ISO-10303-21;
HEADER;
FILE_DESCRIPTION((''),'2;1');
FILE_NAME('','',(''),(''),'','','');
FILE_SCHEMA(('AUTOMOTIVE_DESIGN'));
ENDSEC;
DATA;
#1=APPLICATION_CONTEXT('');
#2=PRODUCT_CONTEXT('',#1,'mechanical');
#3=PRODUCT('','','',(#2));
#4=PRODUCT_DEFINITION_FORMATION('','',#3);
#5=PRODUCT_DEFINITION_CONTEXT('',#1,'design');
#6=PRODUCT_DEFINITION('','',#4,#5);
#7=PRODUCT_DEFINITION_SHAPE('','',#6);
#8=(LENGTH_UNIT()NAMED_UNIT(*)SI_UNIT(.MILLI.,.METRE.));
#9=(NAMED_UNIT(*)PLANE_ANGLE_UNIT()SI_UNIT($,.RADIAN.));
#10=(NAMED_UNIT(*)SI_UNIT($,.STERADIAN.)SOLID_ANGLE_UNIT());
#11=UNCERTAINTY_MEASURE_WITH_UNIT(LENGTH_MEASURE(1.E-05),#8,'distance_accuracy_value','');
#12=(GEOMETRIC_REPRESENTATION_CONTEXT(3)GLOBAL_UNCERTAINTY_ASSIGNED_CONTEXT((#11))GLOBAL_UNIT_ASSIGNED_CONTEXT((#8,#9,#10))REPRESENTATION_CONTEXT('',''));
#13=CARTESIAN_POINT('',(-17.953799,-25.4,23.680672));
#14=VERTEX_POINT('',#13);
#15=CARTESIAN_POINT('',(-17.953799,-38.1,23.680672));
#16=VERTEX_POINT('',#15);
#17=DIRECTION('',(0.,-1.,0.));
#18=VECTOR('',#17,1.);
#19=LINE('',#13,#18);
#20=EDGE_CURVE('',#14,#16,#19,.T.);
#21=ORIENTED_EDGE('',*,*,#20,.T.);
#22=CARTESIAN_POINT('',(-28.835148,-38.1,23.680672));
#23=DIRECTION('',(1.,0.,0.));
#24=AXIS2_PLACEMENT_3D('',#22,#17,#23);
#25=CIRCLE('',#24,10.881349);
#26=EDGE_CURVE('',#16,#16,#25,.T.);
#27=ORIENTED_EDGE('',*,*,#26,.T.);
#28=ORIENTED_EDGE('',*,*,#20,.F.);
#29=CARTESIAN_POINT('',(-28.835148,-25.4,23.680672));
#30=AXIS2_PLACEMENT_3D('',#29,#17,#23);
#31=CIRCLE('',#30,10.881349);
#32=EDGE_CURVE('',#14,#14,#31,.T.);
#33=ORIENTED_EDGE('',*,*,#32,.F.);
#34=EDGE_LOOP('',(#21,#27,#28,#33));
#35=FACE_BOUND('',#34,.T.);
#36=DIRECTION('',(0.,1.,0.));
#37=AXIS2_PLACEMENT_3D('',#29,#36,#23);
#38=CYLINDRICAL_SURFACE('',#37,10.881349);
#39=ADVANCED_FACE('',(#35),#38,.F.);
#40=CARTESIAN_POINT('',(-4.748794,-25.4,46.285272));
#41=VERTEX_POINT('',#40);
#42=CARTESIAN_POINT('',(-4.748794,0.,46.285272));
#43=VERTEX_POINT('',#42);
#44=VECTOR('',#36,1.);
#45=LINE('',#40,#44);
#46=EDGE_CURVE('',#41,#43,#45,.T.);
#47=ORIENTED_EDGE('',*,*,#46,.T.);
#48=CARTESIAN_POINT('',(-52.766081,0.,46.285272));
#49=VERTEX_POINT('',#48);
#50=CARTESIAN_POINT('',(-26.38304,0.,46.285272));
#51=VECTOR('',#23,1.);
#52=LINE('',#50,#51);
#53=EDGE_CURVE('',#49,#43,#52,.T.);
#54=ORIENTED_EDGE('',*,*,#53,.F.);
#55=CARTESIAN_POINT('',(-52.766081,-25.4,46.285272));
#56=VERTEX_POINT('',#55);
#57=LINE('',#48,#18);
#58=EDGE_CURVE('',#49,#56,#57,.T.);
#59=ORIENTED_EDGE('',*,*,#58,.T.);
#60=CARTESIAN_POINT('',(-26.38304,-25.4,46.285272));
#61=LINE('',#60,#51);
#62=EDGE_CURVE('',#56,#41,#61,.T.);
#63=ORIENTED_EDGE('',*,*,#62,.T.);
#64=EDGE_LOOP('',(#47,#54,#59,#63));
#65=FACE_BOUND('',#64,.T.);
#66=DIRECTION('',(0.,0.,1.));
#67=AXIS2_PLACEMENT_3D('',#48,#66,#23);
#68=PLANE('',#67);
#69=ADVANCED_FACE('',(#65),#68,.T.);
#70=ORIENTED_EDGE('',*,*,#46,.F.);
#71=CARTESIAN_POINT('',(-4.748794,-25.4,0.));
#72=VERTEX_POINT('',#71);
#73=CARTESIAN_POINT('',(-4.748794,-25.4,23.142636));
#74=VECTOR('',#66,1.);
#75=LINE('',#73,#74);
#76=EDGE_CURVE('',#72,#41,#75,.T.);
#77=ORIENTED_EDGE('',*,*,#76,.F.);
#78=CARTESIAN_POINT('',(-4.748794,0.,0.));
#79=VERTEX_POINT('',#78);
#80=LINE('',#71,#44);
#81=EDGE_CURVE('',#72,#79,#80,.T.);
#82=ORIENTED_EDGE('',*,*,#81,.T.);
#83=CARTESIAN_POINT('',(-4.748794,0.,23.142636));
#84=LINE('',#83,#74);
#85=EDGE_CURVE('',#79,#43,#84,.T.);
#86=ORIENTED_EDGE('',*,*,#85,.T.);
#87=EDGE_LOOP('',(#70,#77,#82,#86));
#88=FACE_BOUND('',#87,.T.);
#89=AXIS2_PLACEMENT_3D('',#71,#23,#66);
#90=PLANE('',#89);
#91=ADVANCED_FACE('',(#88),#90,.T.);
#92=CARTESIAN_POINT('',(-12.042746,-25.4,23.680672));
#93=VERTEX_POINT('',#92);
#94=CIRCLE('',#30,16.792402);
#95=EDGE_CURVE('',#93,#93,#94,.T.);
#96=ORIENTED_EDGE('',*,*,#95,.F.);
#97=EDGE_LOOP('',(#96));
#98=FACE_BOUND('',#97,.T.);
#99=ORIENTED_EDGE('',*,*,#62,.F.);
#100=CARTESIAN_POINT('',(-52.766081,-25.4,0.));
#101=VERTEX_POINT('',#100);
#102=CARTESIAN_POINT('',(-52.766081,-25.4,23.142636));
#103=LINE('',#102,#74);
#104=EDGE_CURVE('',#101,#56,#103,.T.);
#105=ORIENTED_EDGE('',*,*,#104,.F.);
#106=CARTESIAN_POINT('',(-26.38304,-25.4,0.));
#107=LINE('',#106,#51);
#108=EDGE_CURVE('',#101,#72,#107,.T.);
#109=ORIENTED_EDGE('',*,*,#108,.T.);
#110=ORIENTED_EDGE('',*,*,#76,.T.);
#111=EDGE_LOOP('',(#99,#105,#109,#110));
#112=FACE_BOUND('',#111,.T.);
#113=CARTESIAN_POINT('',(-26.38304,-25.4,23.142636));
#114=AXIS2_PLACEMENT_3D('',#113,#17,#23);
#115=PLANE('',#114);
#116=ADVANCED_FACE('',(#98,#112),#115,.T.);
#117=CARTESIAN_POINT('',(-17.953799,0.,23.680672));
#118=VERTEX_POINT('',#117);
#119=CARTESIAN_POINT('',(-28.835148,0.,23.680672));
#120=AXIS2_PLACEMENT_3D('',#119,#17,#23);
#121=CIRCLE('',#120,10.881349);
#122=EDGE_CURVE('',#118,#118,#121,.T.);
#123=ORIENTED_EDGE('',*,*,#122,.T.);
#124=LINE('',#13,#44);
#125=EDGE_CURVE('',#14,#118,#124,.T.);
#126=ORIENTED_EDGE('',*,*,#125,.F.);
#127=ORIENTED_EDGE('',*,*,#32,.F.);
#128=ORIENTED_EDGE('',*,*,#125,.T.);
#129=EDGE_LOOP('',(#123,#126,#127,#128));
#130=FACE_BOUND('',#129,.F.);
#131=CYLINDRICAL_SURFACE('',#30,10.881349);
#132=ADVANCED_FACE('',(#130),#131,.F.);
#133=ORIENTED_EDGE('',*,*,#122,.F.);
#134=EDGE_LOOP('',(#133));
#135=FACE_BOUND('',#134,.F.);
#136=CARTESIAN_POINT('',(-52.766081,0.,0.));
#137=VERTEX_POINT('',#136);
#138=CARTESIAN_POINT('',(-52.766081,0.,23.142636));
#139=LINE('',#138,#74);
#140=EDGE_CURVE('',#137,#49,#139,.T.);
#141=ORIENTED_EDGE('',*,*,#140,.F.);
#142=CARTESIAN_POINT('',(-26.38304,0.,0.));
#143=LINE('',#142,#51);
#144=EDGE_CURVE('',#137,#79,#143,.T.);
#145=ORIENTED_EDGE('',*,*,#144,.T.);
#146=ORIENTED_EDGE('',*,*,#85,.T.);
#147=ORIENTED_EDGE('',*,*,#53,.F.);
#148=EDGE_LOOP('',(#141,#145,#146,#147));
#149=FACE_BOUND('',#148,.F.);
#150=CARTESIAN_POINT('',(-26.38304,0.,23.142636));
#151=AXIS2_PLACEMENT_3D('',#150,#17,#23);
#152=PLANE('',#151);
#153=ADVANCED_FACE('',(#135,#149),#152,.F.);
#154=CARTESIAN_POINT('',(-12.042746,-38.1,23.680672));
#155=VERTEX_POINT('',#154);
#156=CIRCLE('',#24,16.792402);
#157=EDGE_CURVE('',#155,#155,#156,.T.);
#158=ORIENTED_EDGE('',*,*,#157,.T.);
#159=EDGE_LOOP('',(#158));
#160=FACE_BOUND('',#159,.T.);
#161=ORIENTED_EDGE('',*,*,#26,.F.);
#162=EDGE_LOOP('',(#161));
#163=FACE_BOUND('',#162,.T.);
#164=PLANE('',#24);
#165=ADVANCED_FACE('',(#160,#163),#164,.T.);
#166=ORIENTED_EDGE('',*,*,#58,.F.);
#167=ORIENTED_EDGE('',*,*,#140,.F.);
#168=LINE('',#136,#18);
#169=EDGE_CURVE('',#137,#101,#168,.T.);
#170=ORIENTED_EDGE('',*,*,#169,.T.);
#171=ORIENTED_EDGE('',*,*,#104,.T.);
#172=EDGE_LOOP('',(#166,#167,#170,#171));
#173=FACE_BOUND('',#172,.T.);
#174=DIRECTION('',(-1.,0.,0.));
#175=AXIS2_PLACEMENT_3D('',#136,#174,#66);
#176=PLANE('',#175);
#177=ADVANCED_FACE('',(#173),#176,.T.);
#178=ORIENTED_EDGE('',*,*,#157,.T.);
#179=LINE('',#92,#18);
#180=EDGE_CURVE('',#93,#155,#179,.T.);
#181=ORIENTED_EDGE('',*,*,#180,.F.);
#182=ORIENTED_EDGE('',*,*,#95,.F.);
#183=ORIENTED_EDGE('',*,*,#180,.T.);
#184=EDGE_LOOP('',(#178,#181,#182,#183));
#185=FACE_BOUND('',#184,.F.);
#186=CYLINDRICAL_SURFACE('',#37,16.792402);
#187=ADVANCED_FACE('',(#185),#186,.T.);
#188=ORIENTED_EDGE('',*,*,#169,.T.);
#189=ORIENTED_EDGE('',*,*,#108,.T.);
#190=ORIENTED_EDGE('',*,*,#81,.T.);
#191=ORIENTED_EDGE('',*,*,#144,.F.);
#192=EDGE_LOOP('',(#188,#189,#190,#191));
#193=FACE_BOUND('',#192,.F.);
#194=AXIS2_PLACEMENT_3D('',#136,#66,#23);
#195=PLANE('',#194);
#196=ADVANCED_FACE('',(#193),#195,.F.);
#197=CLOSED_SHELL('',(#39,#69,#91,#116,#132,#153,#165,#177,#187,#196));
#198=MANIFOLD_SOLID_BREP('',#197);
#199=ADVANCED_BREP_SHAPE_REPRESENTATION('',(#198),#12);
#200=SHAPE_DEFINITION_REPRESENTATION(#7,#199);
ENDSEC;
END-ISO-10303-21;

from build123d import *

# Parameters (mm, degrees)
F0_W      = 52.766081
F0_H      = 46.285272
F1_DEPTH  = 25.4
F2_R      = 16.792402
F2_R_2    = 10.881349
F3_DEPTH  = 12.7
F3_FACE_R = 10.881349
F4_DEPTH  = 25.4
F5_W      = 4.748795
F5_H      = 46.285272
F6_DEPTH  = 25.4


with BuildPart() as f1:
    # F0 (on Front) → F1 (new body)
    with BuildSketch(Plane.XZ):
        with Locations((-26.38304, 23.142636)):
            Rectangle(F0_W, F0_H)
    extrude(amount=F1_DEPTH)

    # F2 (on face) → F3 (join)
    with BuildSketch(Plane.XZ.offset(25.4)):
        with Locations((-28.835148, 23.680672)):
            Circle(F2_R)
        with Locations((-28.835148, 23.680672)):
            Circle(F2_R_2, mode=Mode.SUBTRACT)
    extrude(amount=F3_DEPTH)

    # F3_face (on face) → F4 (cut)
    with BuildSketch(Plane(origin=(-28.835148, -25.4, 23.680672), x_dir=(1, 0, 0), z_dir=(0, -1, 0))):
        Circle(F3_FACE_R)
    extrude(amount=-F4_DEPTH, mode=Mode.SUBTRACT)

    # F5 (on face) → F6 (cut)
    with BuildSketch(Plane.XZ.offset(25.4)):
        with Locations((-2.374397, 23.142636)):
            Rectangle(F5_W, F5_H)
    extrude(amount=-F6_DEPTH, mode=Mode.SUBTRACT)


solid = f1.part
